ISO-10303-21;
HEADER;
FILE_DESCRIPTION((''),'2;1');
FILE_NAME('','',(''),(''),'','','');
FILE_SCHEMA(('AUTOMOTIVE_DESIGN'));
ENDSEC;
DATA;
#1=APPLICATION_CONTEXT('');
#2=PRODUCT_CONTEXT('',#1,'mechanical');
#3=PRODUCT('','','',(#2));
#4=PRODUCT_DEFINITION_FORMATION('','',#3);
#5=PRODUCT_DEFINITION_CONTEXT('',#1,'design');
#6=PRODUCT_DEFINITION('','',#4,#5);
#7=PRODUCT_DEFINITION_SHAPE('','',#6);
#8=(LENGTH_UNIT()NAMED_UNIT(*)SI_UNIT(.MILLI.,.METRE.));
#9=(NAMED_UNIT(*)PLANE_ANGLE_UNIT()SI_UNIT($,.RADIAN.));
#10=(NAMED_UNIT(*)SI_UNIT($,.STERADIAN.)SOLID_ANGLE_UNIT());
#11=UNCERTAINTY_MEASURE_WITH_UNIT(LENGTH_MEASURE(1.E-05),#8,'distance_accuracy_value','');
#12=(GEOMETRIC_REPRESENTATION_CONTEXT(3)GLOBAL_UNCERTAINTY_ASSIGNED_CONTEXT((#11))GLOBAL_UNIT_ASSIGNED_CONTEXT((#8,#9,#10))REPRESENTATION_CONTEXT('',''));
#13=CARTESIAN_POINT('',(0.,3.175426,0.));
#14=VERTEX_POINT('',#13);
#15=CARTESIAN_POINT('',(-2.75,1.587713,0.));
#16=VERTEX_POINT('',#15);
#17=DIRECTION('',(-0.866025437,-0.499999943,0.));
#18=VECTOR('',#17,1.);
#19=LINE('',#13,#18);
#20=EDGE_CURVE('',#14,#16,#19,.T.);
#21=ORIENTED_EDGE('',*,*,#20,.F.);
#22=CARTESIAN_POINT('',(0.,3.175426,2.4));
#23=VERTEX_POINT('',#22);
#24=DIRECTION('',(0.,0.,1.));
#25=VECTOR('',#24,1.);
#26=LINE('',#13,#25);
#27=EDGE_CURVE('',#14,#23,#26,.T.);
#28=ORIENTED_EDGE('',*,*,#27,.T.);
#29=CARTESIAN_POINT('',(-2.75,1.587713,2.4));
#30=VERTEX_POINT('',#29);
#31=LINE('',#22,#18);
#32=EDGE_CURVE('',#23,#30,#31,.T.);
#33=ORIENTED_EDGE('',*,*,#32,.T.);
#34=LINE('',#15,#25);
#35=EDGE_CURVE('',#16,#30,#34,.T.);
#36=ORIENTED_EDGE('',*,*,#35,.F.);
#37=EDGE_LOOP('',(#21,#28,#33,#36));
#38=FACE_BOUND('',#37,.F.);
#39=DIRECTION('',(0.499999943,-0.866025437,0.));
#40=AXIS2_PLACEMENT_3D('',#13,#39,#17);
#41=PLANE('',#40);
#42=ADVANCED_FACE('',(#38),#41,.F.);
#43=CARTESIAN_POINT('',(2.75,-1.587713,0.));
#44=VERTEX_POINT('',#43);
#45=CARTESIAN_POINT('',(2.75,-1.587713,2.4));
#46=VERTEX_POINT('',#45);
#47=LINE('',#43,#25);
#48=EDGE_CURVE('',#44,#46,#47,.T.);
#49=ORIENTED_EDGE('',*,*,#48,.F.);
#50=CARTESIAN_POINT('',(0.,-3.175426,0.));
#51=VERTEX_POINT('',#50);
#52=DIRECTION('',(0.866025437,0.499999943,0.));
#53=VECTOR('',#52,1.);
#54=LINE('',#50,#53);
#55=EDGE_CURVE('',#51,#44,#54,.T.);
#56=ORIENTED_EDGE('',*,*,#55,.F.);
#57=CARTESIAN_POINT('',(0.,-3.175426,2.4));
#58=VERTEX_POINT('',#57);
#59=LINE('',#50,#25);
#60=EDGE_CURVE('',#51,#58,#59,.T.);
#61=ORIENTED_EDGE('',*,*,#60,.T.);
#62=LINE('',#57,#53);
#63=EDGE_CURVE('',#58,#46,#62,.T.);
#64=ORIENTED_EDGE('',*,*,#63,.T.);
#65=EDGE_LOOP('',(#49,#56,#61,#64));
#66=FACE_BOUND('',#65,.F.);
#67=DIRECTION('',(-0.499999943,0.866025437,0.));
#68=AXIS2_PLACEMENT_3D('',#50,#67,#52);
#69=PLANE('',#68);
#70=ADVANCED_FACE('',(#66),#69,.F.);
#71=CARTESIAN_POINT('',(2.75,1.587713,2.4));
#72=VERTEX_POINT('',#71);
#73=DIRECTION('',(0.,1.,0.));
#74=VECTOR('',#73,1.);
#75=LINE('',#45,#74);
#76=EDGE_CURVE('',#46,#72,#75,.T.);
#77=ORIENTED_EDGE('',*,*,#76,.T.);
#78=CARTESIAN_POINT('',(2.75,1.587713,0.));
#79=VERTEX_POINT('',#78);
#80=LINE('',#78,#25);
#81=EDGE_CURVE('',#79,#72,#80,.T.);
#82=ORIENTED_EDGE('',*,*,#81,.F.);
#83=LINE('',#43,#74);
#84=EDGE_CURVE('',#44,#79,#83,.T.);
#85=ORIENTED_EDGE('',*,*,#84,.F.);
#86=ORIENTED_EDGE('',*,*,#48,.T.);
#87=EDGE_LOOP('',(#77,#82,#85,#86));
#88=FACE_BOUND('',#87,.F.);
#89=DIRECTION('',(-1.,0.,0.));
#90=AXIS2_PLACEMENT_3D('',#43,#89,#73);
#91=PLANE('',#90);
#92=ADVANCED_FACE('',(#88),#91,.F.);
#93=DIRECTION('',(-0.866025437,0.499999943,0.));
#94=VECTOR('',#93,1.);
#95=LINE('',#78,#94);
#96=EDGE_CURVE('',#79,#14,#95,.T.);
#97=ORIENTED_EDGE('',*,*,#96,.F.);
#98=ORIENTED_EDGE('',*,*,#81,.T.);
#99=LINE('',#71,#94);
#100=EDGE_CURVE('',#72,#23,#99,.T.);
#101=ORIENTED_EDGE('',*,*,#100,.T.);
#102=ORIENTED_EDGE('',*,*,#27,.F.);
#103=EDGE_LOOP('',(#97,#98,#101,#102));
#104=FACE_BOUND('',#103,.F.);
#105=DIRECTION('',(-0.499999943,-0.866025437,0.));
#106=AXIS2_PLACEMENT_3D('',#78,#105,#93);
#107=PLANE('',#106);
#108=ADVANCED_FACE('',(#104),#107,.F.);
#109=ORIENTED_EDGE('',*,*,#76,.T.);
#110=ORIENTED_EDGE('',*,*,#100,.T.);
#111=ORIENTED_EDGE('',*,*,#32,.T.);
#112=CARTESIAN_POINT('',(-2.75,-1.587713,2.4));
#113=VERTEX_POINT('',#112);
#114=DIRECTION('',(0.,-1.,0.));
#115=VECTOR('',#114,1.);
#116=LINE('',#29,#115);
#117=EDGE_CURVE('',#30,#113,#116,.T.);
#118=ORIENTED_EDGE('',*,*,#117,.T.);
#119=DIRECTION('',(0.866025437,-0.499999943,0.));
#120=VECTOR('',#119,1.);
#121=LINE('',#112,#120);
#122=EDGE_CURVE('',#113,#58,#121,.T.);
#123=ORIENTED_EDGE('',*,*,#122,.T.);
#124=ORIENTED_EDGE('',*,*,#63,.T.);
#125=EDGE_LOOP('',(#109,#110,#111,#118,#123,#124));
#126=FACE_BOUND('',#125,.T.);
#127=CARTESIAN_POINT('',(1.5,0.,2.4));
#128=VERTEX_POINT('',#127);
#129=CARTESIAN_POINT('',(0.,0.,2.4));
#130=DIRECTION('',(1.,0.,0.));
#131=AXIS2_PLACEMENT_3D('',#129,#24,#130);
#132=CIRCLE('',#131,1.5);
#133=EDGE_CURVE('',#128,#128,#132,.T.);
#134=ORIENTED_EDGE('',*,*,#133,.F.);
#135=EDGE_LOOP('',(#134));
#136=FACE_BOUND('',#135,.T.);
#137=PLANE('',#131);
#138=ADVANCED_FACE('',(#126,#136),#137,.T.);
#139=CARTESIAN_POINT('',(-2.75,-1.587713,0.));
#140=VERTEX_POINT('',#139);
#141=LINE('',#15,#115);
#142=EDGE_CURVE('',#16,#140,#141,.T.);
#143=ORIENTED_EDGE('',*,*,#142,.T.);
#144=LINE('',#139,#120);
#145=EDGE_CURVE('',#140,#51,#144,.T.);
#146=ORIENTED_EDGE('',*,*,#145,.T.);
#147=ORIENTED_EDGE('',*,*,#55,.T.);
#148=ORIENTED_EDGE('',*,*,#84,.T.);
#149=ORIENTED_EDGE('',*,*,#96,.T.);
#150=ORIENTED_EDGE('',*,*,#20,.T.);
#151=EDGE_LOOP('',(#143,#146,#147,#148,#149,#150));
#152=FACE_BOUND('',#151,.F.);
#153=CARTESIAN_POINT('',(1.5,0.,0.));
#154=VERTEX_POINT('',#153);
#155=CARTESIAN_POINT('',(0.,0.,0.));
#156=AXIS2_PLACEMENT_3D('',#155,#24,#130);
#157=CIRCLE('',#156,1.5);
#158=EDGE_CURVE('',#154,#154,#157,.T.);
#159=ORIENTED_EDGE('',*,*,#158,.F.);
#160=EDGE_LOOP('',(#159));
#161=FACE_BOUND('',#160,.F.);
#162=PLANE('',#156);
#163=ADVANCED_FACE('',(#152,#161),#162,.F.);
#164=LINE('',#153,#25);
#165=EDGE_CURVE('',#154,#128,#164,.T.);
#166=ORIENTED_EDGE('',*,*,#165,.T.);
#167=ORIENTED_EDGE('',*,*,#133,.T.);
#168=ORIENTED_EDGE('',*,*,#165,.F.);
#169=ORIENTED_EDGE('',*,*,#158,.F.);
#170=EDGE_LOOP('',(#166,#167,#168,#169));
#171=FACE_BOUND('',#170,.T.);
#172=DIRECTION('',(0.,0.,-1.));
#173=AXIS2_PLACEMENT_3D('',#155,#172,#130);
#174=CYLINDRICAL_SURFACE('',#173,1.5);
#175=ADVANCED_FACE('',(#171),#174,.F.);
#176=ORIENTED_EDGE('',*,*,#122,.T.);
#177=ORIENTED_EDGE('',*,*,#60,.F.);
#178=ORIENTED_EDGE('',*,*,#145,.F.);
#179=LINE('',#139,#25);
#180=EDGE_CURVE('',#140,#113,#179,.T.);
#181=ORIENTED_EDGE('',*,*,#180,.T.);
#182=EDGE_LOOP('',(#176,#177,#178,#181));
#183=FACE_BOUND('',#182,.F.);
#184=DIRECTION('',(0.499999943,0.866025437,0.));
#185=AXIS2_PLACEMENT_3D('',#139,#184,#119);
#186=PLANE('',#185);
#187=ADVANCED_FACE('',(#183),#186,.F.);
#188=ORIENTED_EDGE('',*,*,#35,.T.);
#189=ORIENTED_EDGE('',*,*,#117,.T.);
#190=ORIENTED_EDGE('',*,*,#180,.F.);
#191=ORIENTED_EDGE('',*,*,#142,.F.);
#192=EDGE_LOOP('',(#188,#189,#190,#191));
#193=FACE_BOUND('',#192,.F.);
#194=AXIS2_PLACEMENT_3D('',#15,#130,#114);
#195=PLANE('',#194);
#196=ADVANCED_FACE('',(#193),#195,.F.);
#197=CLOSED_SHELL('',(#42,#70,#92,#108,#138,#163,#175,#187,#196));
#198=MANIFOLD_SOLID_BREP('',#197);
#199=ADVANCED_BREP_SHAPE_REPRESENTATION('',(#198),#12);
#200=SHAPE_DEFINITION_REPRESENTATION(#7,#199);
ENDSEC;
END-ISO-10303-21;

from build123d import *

# Parameters (mm, degrees)
SKETCH_R  = 1.5
PAD_DEPTH = 2.4


with BuildPart() as part:
    # Sketch → Pad (new body)
    with BuildSketch(Plane.XY):
        Polygon((0, 3.175426), (-2.75, 1.587713), (-2.75, -1.587713), (0, -3.175426), (2.75, -1.587713), (2.75, 1.587713), align=None)
        Circle(SKETCH_R, mode=Mode.SUBTRACT)
    extrude(amount=PAD_DEPTH)


solid = part.part
